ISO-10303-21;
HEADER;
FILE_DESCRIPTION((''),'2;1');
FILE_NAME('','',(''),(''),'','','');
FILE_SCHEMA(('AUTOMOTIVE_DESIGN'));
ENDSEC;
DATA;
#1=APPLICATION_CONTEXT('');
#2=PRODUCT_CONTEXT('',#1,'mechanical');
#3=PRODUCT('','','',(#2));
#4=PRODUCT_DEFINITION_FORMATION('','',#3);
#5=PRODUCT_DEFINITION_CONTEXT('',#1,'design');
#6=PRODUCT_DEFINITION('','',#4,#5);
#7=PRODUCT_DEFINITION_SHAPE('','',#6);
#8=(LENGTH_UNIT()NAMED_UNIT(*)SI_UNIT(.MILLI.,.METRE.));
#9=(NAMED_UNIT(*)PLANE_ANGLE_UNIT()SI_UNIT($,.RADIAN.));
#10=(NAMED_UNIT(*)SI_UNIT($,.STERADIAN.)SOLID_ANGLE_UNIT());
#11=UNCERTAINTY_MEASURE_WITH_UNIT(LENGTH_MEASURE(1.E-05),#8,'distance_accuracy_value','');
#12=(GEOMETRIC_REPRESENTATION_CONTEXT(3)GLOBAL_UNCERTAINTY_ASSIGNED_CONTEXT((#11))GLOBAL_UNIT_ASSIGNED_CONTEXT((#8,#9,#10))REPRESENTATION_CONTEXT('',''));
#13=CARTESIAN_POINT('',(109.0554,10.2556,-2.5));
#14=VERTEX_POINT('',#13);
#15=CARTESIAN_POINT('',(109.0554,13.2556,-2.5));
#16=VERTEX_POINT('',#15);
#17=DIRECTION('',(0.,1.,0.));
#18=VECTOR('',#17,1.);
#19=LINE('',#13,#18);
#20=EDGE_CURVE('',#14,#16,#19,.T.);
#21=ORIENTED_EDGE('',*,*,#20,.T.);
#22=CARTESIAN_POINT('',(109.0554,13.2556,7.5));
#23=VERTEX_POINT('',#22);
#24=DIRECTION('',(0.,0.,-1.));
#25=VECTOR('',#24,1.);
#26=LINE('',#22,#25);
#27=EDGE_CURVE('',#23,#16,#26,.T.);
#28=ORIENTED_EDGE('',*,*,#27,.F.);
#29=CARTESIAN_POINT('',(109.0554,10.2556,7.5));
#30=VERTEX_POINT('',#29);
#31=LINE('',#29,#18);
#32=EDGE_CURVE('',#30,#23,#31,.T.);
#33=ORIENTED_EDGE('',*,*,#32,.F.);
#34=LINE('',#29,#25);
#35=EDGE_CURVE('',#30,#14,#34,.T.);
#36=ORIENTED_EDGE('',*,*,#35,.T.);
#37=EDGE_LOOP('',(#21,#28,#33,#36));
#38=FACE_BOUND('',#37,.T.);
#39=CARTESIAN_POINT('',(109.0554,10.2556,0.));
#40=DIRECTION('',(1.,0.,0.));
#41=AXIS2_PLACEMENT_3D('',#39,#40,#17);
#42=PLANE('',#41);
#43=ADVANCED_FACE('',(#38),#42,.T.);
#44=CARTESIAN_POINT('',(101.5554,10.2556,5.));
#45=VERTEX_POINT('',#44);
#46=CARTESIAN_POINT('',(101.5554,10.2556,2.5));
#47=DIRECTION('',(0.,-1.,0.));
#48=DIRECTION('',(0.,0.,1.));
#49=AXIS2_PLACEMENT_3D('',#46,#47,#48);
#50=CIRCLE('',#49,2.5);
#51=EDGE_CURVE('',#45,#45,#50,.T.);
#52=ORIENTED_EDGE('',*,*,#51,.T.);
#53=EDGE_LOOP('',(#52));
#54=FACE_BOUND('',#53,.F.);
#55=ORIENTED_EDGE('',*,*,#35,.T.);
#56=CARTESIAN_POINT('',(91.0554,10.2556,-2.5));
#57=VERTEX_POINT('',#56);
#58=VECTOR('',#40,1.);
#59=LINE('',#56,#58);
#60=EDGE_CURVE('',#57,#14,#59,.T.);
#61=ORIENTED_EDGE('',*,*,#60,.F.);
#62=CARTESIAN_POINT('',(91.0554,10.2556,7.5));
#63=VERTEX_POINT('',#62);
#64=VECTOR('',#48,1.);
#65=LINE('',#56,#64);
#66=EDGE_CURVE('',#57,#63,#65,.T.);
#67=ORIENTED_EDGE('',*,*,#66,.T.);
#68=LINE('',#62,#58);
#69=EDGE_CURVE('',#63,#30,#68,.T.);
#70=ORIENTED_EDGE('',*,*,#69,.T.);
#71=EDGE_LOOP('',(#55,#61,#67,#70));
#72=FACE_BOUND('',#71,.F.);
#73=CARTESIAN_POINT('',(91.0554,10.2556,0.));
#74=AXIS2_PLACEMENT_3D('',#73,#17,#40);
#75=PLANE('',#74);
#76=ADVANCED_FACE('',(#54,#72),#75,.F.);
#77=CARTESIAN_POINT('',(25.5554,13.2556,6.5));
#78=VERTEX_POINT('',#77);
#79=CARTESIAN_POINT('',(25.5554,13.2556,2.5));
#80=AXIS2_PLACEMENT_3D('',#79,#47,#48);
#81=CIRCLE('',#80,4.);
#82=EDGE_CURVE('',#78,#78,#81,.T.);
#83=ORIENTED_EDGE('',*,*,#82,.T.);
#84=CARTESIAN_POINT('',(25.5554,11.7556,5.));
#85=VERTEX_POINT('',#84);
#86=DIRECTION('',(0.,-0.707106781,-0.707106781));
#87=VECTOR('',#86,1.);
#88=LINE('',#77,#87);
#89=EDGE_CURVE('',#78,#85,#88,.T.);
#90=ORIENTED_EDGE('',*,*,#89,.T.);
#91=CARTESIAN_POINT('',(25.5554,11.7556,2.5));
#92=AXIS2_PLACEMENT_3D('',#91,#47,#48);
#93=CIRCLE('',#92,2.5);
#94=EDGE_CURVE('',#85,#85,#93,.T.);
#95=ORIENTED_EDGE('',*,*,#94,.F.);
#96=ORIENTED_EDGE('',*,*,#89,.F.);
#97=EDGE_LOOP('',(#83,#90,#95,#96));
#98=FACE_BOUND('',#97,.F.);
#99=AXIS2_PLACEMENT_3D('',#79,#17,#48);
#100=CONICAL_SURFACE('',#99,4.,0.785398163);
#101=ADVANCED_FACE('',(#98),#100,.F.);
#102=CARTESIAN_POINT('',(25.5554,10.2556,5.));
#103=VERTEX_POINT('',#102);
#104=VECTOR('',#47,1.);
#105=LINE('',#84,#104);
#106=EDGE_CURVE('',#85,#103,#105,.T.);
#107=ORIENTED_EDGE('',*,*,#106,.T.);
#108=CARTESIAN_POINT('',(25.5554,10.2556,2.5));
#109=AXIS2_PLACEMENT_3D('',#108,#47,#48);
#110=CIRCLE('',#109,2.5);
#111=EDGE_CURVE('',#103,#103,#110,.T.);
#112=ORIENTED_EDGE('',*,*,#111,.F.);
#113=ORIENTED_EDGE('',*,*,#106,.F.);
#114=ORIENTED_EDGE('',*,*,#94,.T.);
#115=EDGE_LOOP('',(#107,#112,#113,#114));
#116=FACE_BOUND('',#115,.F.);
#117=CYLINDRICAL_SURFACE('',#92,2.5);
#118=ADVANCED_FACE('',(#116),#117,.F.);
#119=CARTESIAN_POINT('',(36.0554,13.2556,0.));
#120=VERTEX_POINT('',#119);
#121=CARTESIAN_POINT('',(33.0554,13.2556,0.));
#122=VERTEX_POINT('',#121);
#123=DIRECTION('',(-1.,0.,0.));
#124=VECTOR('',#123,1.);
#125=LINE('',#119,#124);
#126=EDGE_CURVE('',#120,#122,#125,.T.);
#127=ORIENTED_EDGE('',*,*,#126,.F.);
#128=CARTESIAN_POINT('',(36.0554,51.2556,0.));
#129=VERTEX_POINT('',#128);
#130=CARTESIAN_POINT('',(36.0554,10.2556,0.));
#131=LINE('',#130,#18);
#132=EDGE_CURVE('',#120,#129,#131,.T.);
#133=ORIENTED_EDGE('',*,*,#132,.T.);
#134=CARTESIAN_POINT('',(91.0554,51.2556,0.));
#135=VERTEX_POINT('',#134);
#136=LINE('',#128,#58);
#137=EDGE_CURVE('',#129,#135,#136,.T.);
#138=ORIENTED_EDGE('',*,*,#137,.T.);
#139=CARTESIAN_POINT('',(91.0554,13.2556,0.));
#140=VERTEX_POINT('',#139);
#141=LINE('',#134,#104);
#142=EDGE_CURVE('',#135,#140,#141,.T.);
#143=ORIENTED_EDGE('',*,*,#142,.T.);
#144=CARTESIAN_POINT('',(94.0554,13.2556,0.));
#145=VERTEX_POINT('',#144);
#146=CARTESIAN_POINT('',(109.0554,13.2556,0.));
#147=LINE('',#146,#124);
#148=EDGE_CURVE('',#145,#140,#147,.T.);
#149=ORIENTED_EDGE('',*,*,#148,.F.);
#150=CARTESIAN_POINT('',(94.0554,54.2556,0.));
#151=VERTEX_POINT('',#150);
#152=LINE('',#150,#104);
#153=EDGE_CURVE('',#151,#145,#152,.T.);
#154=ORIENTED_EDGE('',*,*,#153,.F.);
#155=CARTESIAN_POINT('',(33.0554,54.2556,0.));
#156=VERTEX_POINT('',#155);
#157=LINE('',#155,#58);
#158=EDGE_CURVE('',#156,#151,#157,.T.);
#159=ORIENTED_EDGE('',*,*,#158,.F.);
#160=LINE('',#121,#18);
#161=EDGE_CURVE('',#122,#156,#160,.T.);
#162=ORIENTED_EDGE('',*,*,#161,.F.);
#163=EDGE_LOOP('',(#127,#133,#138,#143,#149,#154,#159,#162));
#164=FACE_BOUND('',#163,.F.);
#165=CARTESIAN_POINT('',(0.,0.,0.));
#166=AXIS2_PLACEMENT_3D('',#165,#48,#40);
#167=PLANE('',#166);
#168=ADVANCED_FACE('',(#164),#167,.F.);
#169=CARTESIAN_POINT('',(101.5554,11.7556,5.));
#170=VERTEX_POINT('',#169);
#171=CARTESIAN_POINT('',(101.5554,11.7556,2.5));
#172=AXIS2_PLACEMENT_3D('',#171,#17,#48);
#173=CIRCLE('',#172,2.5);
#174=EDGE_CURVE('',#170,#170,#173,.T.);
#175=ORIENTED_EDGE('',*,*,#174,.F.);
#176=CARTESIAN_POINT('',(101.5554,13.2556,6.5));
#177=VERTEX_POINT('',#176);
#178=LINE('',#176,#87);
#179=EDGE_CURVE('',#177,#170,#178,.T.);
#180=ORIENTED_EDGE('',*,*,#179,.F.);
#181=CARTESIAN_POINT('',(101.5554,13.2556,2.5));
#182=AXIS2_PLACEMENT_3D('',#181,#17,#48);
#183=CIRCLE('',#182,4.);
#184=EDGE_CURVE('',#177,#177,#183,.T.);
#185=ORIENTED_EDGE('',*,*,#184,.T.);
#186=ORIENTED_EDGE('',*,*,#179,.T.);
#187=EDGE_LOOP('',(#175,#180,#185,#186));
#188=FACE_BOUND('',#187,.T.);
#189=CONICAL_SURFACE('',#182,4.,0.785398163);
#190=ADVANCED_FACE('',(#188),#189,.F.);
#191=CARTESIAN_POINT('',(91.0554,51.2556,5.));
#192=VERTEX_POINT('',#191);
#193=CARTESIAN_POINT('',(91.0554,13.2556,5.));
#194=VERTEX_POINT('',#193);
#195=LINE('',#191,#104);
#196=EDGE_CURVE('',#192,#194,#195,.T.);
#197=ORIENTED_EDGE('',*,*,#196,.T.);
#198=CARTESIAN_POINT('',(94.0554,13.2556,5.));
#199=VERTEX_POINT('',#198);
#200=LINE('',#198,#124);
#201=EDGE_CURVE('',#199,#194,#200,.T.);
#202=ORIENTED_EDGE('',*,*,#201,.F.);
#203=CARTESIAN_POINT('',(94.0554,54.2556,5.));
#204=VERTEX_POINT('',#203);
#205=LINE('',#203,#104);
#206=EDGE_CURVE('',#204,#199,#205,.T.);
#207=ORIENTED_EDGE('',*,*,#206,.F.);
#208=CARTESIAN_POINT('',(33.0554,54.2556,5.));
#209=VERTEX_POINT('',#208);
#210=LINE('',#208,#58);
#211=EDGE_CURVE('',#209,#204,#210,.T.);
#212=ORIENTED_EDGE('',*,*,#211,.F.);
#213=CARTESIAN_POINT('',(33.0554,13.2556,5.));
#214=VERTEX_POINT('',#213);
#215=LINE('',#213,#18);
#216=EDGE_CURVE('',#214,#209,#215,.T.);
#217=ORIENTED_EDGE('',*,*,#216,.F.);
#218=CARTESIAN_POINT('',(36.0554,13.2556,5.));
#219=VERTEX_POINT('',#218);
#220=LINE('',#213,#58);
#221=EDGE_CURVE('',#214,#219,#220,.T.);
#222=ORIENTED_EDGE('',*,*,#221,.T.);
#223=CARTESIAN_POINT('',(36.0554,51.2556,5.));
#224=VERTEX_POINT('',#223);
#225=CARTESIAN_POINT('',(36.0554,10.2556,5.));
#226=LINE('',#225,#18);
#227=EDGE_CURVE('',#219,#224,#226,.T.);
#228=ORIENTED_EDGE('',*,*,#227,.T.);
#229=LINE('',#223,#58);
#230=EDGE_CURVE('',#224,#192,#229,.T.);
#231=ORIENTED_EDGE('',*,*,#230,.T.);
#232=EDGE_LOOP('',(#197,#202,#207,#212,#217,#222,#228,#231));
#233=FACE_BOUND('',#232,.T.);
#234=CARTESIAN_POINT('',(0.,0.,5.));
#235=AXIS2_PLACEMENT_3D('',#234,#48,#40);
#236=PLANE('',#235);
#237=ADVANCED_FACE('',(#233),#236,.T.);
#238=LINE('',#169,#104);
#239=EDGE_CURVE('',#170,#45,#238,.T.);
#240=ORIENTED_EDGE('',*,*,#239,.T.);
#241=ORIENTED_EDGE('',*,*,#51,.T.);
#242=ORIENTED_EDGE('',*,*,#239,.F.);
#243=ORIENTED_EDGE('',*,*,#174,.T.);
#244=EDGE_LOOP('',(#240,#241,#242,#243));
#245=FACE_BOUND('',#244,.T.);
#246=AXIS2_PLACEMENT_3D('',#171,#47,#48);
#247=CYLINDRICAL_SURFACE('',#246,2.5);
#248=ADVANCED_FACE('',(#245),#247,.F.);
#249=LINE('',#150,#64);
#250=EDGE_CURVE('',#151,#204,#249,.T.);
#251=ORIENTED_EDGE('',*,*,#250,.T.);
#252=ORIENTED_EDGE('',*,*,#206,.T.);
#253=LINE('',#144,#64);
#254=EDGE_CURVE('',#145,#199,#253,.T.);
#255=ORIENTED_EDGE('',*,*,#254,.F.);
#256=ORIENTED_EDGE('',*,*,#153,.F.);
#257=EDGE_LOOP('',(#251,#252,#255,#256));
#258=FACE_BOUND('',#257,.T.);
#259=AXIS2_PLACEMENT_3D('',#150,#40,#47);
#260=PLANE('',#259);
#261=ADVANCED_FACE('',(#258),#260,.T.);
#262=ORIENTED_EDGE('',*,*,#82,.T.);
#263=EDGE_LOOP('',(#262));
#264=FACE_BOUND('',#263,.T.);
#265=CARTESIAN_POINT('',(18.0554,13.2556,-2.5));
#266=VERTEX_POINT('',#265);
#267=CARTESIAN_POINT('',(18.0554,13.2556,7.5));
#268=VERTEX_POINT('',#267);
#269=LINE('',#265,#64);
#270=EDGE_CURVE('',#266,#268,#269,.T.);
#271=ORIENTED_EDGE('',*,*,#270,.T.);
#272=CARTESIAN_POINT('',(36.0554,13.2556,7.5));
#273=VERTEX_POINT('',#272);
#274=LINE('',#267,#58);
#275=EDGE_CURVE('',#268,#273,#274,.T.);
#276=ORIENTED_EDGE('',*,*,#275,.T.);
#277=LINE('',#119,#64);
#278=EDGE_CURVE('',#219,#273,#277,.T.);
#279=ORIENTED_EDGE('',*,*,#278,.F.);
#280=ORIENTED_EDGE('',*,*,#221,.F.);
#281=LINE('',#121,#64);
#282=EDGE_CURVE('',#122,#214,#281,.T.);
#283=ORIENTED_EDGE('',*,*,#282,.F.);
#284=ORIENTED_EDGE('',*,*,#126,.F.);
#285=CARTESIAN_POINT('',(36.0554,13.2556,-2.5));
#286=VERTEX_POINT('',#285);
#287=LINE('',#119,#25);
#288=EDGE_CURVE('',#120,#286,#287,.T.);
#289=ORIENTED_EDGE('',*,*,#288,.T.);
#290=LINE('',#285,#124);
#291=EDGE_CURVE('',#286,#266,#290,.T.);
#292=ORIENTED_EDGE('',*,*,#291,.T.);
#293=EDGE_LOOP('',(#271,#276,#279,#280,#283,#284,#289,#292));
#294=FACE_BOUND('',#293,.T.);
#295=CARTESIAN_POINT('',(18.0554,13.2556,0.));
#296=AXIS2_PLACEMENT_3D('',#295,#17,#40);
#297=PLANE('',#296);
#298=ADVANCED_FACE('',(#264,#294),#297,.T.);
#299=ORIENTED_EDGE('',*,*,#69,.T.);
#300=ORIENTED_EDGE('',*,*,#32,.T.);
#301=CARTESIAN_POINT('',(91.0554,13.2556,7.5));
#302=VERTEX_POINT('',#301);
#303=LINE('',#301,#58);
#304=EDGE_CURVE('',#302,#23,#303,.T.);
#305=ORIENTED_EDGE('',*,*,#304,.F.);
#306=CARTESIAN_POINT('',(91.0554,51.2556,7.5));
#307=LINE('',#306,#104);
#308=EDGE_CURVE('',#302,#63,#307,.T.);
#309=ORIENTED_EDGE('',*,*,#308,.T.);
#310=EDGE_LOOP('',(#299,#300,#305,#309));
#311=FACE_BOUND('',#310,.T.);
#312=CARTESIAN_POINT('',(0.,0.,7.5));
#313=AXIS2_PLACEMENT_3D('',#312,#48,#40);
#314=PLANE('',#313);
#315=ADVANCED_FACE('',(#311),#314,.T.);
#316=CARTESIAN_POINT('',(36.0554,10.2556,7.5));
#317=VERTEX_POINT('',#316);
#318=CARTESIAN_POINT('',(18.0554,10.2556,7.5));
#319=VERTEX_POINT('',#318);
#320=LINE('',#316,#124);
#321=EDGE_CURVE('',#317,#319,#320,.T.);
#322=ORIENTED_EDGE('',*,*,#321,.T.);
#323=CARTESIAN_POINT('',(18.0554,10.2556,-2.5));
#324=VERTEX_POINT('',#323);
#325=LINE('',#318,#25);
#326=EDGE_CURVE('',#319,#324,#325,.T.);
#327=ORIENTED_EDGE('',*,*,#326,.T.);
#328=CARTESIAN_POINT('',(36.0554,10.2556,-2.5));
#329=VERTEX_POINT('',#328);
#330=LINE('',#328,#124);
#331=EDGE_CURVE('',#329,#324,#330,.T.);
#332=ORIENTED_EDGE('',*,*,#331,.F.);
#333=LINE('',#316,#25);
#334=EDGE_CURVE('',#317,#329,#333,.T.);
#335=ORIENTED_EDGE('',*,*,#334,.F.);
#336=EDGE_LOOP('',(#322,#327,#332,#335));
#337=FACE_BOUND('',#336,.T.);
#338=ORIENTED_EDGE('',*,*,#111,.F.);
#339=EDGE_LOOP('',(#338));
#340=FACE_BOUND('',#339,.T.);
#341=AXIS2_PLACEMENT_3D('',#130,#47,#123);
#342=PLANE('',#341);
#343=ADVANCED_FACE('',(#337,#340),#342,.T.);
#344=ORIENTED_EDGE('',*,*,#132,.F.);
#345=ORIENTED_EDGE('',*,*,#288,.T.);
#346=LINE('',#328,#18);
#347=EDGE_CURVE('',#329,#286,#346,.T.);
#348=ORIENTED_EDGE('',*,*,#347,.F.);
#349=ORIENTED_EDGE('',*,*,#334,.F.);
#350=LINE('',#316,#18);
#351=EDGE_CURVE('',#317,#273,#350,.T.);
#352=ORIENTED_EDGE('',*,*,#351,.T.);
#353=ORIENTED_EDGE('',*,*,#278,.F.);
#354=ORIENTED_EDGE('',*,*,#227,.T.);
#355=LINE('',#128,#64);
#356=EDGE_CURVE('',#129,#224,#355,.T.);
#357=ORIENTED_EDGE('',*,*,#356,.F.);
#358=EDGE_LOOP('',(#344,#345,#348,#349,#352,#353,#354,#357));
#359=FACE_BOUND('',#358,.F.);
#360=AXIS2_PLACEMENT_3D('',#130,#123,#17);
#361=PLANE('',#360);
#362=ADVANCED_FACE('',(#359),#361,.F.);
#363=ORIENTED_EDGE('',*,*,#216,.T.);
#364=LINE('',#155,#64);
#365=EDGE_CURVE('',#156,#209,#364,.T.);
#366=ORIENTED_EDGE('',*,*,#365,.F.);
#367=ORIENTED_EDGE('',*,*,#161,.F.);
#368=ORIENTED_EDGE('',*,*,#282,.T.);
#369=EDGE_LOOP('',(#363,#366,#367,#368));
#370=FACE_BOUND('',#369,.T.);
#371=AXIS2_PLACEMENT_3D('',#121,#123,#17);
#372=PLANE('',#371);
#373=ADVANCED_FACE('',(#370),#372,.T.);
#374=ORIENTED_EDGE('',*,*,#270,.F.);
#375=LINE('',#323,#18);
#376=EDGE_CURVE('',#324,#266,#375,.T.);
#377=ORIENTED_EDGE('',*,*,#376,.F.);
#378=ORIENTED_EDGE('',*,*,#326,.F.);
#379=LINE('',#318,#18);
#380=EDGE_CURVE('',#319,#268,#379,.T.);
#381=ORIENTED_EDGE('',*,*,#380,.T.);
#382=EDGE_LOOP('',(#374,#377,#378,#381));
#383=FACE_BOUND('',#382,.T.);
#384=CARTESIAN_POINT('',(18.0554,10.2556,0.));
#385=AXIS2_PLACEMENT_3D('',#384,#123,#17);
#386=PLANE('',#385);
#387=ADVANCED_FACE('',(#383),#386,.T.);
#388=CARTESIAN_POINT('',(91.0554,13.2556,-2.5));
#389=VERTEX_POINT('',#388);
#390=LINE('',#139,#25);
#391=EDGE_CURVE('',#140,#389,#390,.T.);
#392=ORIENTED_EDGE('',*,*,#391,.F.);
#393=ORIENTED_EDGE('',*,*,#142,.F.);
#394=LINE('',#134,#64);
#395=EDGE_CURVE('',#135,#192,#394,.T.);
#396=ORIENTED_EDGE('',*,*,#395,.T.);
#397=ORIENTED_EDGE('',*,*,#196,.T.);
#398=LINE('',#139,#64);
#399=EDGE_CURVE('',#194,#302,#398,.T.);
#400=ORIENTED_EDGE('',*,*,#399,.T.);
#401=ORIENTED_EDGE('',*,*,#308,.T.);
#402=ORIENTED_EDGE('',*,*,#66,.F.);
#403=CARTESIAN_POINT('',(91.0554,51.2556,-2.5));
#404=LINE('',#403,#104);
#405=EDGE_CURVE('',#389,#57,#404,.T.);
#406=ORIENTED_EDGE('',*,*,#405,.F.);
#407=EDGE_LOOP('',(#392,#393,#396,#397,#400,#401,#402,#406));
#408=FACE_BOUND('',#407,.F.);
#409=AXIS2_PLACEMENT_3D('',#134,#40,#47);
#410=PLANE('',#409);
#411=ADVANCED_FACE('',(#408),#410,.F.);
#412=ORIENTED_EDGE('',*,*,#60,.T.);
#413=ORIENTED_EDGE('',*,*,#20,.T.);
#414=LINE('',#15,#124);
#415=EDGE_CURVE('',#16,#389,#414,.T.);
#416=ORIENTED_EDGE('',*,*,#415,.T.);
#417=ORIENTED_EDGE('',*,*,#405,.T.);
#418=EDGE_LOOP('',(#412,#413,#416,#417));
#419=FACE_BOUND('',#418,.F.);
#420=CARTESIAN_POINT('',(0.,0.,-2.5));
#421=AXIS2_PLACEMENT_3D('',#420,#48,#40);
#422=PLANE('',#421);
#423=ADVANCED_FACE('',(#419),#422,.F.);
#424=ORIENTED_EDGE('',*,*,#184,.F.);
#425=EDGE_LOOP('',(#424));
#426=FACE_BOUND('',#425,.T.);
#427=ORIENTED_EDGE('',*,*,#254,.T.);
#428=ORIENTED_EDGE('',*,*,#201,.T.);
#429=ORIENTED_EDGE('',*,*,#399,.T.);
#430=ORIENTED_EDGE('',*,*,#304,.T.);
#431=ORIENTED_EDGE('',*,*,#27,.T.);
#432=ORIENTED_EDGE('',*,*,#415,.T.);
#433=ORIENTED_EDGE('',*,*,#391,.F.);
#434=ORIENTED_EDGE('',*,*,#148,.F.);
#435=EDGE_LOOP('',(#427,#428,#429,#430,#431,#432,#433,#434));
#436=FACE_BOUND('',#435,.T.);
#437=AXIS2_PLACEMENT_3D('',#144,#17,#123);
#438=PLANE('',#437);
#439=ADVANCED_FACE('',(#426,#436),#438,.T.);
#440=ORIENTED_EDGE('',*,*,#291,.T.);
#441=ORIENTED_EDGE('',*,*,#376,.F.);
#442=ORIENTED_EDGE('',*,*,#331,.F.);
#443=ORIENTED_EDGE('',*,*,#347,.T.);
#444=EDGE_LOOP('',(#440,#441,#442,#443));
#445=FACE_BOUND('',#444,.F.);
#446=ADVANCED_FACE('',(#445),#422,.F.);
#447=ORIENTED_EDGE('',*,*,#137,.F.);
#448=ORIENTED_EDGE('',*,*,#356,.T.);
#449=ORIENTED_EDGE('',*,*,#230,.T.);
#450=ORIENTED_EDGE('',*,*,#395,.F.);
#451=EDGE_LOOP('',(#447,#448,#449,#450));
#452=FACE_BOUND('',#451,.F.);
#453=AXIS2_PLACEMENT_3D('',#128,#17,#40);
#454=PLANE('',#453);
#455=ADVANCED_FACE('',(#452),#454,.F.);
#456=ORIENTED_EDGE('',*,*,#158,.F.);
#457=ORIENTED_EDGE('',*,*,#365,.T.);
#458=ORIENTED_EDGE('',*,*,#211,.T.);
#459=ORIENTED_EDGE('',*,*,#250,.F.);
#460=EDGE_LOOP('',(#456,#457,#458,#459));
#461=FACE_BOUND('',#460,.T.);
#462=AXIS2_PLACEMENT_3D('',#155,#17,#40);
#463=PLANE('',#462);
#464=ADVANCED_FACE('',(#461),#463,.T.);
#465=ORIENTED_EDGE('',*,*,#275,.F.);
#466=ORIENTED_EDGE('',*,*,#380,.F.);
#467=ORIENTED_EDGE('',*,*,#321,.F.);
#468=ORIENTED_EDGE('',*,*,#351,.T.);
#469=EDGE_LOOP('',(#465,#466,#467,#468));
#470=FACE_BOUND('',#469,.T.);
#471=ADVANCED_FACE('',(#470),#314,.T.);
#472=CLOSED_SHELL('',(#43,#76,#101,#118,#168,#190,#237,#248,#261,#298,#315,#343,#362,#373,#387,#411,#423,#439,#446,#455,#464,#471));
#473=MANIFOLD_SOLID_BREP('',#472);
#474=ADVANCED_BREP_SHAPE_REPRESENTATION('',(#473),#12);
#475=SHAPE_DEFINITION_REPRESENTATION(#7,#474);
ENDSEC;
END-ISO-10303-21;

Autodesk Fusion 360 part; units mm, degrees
sketch "Sketch1" plane through (0, 0, 0) normal (0, 0, 1) x (1, 0, 0)
  line L0 (36.0554, 51.2556) -> (91.0554, 51.2556)
  line L1 (91.0554, 51.2556) -> (91.0554, 10.2556)
  line L2 (36.0554, 10.2556) -> (36.0554, 51.2556)
  line L3 (33.0554, 13.2556) -> (33.0554, 54.2556)
  line L4 (33.0554, 54.2556) -> (94.0554, 54.2556)
  line L5 (36.0554, 10.2556) -> (18.0554, 10.2556)
  line L6 (18.0554, 10.2556) -> (18.0554, 13.2556)
  line L7 (18.0554, 13.2556) -> (33.0554, 13.2556)
  line L8 (91.0554, 10.2556) -> (109.0554, 10.2556)
  line L9 (109.0554, 10.2556) -> (109.0554, 13.2556)
  line L10 (109.0554, 13.2556) -> (94.0554, 13.2556)
  line L11 (94.0554, 54.2556) -> (94.0554, 13.2556)
  line L12 (33.0554, 13.2556) -> (36.0554, 13.2556)
  line L13 (94.0554, 13.2556) -> (91.0554, 13.2556)
  dimension "d1" = 55
  dimension "d2" = 41
  dimension "d4" = 18
  dimension "d5" = 3
  dimension "d6" = 18
  dimension "d7" = 3
extrude "Extrude3" add sketch "Sketch1" along normal blind 7.5 contours L2 L5 L6 L7 L12 | L1 L8 L9 L10 L13 makes body 1 at (30.0554, 10.2556, 2.5) makes body 2 at (103.0554, 13.2556, 2.5)
extrude "Extrude2" add sketch "Sketch1" along normal blind 5 separate body contours L0 L1 L2 L3 L4 L11 L12 L13 makes body 3
extrude "Extrude4" add sketch "Sketch1" against normal blind 2.5 contours L2 L5 L6 L7 L12 | L1 L8 L9 L10 L13 bodies 1 2 3
hole "Hole1" at (25.5554, 13.2556, 2.5) direction (0, -1, 0) diameter 5 depth 10 tip angle 118 countersink diameter 8 countersink angle 90 bodies 1
ref_plane "WorkPlane1" through (63.5554, 33.7556, 2.5) normal (-1, 0, 0) x (0, -1, 0)
mirror "Mirror1" about plane through (63.5554, 33.7556, 2.5) normal (-1, 0, 0) of "Hole1"
